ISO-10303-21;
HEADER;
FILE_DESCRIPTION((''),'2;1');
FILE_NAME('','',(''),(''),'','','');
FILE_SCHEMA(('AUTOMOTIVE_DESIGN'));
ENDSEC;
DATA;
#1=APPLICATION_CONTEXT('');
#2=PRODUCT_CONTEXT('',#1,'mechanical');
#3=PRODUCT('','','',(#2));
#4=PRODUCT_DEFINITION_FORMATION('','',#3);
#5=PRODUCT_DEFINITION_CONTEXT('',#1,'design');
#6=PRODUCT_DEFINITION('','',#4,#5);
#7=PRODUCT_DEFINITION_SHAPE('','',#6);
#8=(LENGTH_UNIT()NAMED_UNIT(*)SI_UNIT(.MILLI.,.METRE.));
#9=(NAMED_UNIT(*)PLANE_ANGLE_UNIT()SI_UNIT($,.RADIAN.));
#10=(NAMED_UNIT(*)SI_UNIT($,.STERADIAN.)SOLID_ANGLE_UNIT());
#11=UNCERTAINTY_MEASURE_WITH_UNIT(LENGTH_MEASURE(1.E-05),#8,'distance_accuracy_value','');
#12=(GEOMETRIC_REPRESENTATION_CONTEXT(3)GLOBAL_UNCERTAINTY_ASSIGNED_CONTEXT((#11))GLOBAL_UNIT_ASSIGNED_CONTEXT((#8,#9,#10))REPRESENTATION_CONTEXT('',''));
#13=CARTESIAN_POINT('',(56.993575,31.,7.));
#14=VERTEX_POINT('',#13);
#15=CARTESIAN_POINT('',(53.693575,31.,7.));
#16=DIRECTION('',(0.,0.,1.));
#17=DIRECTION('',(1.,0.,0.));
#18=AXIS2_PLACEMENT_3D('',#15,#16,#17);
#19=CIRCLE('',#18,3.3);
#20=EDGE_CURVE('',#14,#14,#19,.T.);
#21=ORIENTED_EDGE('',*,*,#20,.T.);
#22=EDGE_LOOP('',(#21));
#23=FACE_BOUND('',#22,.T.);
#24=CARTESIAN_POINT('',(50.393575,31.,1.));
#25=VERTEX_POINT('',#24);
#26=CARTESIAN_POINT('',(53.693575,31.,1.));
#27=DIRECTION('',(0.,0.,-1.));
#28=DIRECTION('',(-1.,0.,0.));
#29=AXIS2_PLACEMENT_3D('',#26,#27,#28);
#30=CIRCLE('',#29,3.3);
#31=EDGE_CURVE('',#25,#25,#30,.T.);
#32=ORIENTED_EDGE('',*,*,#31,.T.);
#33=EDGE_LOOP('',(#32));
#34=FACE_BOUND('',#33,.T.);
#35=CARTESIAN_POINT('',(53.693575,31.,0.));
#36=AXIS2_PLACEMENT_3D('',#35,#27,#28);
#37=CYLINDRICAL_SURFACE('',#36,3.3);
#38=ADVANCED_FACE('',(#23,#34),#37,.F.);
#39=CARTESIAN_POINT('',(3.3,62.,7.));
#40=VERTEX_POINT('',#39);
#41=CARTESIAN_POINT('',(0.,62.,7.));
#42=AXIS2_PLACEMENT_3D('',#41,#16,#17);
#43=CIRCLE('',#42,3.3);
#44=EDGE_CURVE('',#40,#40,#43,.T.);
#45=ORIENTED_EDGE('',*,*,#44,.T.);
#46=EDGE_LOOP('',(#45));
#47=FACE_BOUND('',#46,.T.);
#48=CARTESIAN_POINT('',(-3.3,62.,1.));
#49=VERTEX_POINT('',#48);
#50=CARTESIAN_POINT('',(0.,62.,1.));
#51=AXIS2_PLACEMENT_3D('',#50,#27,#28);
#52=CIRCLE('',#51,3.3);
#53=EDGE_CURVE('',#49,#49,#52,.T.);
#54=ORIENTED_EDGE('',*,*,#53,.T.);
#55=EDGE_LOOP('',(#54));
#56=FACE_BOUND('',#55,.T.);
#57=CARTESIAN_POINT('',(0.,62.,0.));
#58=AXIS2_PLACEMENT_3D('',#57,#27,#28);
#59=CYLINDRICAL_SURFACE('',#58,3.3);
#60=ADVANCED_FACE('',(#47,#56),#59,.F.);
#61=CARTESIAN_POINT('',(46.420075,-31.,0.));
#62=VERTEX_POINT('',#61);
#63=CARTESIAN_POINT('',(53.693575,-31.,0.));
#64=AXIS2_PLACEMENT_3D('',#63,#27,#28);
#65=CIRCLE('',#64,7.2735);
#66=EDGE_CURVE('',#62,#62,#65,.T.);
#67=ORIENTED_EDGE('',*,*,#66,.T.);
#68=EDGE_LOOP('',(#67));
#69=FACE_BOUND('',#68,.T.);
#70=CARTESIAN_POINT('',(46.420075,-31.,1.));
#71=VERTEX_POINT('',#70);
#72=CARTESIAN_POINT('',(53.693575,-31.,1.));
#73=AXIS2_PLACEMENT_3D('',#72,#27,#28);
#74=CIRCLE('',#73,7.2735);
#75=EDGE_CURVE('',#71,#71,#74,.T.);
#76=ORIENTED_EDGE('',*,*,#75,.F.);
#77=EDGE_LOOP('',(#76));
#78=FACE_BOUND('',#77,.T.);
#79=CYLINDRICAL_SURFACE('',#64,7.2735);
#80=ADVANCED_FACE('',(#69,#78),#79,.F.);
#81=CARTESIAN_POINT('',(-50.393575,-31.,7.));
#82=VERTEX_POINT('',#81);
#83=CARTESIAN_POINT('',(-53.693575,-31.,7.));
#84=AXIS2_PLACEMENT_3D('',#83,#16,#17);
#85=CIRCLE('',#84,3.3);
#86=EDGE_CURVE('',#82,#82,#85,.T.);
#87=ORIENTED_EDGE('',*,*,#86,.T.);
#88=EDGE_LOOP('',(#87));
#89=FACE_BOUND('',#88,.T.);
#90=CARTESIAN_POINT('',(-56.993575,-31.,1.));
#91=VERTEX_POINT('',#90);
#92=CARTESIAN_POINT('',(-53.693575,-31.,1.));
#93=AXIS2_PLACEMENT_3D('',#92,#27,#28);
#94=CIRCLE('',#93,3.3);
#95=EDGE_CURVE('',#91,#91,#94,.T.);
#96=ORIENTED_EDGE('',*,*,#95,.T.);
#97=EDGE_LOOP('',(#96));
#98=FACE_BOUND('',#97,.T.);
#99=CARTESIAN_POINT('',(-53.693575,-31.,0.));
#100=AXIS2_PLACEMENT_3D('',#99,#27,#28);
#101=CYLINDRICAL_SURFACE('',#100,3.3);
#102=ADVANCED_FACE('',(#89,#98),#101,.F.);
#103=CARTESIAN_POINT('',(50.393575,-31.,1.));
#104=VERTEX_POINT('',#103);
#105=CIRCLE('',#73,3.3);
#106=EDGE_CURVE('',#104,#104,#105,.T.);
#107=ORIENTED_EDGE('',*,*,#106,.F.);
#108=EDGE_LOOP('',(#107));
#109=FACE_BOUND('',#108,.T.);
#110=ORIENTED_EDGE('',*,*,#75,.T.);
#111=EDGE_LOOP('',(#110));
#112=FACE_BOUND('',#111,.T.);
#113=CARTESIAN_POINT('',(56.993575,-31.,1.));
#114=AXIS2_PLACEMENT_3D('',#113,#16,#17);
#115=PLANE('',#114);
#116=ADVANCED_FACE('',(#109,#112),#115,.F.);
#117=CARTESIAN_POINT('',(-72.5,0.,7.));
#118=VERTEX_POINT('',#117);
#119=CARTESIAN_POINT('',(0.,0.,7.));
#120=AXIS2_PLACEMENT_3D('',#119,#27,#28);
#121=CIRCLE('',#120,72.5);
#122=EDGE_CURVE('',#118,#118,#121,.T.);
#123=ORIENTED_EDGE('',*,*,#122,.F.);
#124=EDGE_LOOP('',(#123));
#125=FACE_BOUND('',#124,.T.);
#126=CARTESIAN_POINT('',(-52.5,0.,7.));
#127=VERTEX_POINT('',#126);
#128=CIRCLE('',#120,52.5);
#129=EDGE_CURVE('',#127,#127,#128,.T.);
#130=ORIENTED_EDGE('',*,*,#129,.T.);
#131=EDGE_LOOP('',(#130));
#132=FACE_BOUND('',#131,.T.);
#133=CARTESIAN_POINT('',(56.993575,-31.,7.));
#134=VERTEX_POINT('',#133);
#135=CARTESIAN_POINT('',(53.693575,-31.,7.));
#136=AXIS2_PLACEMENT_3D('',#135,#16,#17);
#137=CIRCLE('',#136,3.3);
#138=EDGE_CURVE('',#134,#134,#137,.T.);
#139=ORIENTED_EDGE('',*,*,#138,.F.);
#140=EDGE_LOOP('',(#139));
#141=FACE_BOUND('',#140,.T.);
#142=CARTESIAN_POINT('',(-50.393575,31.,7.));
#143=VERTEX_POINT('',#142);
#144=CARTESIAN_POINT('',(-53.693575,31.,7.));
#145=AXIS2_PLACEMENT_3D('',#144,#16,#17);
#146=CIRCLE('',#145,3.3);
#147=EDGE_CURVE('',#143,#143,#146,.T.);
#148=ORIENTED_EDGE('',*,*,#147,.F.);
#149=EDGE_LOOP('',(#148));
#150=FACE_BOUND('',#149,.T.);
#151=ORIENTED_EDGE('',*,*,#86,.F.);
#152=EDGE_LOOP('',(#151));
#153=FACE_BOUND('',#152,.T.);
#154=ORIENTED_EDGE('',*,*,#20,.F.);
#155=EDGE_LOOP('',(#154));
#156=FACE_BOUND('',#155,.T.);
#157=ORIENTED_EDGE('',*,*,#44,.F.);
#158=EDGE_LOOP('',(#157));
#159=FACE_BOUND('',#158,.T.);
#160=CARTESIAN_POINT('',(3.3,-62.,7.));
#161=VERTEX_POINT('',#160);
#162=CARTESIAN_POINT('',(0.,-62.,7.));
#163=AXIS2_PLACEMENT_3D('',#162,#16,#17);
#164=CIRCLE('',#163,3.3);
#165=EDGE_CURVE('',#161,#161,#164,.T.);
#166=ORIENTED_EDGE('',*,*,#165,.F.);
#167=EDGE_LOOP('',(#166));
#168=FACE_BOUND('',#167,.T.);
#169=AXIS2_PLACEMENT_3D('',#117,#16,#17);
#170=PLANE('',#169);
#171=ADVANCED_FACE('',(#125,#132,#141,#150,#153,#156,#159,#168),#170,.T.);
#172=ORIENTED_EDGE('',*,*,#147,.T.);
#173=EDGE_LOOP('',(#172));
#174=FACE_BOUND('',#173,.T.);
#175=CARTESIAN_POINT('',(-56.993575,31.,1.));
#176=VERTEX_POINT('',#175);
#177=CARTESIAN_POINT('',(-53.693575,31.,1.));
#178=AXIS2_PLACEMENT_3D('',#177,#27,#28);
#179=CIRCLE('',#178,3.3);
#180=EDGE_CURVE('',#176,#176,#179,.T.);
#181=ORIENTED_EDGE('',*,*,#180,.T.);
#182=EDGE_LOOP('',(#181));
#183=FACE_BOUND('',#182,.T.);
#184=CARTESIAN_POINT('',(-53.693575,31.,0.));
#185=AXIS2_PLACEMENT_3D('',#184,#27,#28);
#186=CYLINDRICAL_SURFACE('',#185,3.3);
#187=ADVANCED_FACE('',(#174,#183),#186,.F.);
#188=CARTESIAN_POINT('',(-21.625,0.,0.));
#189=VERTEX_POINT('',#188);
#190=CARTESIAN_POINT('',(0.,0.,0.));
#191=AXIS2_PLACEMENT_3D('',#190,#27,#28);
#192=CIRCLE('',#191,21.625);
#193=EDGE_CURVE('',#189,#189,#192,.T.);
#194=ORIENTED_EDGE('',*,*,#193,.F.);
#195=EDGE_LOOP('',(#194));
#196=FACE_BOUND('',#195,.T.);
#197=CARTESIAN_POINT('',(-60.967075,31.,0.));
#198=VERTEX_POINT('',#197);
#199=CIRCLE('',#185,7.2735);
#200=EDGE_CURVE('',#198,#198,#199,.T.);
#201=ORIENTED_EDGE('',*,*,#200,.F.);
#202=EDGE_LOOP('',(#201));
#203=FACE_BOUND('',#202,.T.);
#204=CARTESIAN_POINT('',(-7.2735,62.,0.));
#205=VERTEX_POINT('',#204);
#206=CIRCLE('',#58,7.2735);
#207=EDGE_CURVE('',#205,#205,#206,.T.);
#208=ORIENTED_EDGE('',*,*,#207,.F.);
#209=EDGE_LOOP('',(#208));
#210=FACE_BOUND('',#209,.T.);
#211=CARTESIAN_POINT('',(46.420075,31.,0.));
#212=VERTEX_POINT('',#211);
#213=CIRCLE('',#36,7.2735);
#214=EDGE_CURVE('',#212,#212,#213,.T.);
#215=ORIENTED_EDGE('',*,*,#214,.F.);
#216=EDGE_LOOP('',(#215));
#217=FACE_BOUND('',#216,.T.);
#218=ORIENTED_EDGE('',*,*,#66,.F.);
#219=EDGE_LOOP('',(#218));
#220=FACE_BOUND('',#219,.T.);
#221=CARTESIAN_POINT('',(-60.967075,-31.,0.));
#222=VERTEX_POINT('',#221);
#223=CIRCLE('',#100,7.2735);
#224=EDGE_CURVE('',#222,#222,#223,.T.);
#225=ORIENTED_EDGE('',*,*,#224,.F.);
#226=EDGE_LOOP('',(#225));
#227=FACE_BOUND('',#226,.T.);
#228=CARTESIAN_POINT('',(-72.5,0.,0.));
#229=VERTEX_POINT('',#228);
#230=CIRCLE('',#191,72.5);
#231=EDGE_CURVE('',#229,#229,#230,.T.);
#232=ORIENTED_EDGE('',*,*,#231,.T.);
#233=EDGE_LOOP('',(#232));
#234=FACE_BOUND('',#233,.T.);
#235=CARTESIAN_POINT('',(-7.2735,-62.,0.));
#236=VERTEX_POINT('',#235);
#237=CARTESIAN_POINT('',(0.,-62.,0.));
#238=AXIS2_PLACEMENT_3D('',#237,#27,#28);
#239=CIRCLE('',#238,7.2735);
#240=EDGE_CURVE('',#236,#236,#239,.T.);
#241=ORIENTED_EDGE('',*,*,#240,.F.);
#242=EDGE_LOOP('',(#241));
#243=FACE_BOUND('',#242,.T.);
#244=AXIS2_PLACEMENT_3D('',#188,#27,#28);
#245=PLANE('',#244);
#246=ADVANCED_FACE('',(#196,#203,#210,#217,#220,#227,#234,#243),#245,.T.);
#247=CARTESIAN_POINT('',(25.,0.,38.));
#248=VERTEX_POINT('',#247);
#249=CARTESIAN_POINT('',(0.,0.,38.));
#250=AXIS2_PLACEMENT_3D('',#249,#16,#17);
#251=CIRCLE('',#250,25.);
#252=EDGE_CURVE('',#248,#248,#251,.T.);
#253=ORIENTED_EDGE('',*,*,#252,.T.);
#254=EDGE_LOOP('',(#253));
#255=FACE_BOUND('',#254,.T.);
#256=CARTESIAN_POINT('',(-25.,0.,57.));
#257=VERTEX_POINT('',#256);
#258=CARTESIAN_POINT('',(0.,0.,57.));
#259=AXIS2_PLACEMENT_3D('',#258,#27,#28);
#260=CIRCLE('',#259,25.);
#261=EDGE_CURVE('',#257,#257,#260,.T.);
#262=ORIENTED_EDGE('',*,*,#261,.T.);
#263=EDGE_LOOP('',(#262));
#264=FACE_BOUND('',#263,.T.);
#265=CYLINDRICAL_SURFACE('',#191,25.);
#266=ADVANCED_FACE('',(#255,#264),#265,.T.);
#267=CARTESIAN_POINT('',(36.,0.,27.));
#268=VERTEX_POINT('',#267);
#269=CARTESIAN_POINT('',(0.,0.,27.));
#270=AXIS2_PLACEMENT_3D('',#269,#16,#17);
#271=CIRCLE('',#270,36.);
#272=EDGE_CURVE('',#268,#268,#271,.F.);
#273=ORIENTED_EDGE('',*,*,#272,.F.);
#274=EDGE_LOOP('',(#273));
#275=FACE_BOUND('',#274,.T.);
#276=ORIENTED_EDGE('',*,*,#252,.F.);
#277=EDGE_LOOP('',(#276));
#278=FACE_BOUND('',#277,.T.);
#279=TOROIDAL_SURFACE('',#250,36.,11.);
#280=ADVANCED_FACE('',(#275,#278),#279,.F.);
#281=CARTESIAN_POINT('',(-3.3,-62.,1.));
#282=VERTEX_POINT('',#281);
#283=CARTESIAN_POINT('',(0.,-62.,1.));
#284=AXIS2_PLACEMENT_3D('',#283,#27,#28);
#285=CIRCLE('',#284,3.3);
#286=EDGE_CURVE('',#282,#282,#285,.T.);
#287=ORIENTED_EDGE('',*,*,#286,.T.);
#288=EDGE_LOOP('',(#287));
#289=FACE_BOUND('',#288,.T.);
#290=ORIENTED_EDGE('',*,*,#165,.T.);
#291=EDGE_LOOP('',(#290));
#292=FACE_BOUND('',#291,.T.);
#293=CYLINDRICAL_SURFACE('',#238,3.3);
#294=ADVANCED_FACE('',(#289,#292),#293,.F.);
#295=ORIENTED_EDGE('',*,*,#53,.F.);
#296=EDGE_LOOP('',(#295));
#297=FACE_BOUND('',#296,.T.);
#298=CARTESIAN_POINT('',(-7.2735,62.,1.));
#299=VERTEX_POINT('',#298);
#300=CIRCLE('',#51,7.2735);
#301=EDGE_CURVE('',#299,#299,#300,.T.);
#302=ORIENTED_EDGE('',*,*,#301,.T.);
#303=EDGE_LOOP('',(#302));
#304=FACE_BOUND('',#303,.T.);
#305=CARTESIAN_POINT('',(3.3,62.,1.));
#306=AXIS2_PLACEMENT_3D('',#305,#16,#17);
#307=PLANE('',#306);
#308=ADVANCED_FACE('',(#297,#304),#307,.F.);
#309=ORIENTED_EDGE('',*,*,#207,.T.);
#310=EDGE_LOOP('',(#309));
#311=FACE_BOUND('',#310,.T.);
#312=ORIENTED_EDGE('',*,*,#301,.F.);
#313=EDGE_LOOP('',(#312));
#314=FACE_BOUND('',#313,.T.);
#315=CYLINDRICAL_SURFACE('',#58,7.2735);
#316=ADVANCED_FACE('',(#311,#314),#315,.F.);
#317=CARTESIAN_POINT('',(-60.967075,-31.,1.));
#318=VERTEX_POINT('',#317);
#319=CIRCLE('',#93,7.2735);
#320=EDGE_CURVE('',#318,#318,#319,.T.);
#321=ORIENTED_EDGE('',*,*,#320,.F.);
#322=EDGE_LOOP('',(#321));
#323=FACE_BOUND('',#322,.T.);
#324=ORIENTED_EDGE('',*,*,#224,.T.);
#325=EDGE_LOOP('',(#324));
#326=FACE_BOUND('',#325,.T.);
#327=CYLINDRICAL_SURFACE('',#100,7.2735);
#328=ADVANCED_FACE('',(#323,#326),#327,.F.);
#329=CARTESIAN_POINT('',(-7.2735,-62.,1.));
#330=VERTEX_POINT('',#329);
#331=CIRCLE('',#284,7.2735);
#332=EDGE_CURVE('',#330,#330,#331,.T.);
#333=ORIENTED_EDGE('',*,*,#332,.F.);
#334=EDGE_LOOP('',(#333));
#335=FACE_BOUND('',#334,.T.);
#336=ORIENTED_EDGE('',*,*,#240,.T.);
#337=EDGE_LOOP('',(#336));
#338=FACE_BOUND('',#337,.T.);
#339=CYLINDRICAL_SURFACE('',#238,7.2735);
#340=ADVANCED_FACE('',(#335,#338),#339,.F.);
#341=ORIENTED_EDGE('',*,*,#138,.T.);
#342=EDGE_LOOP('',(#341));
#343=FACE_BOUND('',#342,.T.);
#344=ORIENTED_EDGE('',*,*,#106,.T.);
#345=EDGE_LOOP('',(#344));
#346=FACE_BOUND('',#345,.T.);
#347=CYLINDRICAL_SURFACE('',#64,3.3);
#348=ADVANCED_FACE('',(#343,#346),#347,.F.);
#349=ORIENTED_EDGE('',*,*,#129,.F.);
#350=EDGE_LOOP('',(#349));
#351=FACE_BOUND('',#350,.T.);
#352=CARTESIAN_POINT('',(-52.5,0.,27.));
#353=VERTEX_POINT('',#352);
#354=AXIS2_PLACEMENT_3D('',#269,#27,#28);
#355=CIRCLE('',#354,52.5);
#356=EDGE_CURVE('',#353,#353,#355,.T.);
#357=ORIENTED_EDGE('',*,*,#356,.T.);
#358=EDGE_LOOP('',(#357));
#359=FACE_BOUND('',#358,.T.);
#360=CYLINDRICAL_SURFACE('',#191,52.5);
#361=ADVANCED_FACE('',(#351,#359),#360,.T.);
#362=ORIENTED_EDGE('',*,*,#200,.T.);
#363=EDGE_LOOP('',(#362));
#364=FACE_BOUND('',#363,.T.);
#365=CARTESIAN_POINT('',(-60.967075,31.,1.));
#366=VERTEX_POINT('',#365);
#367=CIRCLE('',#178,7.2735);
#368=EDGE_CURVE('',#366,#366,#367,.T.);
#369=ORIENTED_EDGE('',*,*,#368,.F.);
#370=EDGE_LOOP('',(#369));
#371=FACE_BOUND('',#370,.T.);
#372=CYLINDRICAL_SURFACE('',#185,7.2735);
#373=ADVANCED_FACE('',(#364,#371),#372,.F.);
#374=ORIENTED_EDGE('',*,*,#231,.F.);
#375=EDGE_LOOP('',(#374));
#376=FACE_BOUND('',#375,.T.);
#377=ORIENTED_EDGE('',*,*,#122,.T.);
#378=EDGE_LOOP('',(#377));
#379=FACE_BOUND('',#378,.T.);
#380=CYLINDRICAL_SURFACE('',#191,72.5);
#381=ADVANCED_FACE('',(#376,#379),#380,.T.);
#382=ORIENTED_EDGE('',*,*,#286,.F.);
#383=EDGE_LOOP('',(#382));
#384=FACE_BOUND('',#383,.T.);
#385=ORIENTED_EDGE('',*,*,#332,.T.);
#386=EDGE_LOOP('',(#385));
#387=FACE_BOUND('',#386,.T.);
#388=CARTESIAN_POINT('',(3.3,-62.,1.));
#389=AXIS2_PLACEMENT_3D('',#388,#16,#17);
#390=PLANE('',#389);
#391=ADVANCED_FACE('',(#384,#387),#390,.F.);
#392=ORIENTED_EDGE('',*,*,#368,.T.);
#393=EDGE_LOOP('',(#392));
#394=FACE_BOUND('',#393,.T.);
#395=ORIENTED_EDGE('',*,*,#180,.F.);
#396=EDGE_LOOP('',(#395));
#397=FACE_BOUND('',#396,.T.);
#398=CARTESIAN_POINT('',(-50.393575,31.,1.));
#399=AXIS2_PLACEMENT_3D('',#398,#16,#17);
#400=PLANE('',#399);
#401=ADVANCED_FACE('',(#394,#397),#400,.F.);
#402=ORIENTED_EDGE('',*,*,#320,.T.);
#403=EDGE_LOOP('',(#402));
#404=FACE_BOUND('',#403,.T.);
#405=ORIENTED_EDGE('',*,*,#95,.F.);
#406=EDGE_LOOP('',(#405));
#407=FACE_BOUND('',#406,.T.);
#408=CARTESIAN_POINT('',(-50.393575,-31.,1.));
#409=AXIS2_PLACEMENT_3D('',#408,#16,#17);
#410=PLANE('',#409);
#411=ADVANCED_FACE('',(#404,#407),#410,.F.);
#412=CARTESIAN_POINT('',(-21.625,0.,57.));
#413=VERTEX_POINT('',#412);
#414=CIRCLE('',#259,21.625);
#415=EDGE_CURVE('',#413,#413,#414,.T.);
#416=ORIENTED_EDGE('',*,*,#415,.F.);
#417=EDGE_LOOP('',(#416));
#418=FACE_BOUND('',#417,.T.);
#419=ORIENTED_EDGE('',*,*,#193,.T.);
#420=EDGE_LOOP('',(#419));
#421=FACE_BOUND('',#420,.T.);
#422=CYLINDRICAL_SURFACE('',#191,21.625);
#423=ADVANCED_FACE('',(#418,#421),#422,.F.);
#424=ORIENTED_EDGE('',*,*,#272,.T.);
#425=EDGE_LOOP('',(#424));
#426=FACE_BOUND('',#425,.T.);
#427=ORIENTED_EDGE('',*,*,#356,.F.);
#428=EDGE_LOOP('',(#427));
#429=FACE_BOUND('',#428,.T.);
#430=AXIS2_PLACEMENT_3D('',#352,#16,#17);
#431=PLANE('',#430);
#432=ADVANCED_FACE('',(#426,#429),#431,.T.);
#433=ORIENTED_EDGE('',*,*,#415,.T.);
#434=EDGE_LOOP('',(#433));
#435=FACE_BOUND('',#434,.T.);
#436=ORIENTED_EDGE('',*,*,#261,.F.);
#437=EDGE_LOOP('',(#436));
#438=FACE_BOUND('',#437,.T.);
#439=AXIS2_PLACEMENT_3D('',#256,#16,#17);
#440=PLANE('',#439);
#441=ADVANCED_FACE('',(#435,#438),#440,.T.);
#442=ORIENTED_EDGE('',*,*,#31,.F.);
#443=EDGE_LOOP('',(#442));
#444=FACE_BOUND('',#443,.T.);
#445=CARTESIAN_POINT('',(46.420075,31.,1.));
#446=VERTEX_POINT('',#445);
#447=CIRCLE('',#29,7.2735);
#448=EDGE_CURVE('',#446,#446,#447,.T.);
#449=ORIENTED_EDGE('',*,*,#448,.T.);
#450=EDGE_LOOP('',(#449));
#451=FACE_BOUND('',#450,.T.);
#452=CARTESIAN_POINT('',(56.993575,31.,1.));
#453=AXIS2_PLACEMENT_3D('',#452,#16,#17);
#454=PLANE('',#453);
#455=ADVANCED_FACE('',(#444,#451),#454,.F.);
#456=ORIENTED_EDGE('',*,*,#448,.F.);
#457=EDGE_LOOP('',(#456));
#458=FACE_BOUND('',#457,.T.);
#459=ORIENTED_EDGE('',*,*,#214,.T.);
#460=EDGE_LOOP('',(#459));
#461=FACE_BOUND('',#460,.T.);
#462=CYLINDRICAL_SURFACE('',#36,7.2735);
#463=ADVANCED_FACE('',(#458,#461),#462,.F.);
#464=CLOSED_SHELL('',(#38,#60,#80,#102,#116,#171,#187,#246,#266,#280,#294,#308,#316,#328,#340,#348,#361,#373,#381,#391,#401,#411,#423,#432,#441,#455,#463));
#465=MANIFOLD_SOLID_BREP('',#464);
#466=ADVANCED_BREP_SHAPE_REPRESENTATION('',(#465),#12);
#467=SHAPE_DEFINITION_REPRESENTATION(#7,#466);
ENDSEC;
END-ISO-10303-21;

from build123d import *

# Parameters (mm, degrees)
FILLET1_R                               = 11
CBORE_FOR_M6_HEX_HEAD_BOLT1_D           = 6.6
CBORE_FOR_M6_HEX_HEAD_BOLT1_CBORE_D     = 14.547
CBORE_FOR_M6_HEX_HEAD_BOLT1_CBORE_DEPTH = 1
CIRPATTERN1_COUNT                       = 6


with BuildPart() as part:
    # Sketch2 → Revolve1 (revolve)
    with BuildSketch(Plane(origin=(0, 0, 0), x_dir=(1, 0, 0), z_dir=(0, 1, 0))):
        Polygon((-72.5, 0), (-72.5, -7), (-52.5, -7), (-52.5, -27), (-25, -27), (-25, -57), (-21.625, -57), (-21.625, 0), align=None)
    revolve(axis=Axis((0, 0, 0), (0, 0, 1)))

    # Fillet1
    fillet1_edges = [part.edges().sort_by_distance(p)[0] for p in [
        (25, 0, 27),
    ]]
    fillet(fillet1_edges, radius=FILLET1_R)

    # CBORE for M6 Hex Head Bolt1 (through all)
    with Locations(Plane(origin=(0, 0, 0), x_dir=(-1, 0, 0), z_dir=(0, 0, -1))):
        with Locations((0, 62)):
            cbore_for_m6_hex_head_bolt1 = CounterBoreHole(CBORE_FOR_M6_HEX_HEAD_BOLT1_D / 2, CBORE_FOR_M6_HEX_HEAD_BOLT1_CBORE_D / 2, CBORE_FOR_M6_HEX_HEAD_BOLT1_CBORE_DEPTH)

    # CirPattern1: CBORE for M6 Hex Head Bolt1 ×6 about axis
    cirpattern1_axis = Axis((0, 0, 0), (0, 0, 1))
    for i in range(1, CIRPATTERN1_COUNT):
        add(cbore_for_m6_hex_head_bolt1.rotate(cirpattern1_axis, i * 360 / CIRPATTERN1_COUNT), mode=Mode.SUBTRACT)


solid = part.part
